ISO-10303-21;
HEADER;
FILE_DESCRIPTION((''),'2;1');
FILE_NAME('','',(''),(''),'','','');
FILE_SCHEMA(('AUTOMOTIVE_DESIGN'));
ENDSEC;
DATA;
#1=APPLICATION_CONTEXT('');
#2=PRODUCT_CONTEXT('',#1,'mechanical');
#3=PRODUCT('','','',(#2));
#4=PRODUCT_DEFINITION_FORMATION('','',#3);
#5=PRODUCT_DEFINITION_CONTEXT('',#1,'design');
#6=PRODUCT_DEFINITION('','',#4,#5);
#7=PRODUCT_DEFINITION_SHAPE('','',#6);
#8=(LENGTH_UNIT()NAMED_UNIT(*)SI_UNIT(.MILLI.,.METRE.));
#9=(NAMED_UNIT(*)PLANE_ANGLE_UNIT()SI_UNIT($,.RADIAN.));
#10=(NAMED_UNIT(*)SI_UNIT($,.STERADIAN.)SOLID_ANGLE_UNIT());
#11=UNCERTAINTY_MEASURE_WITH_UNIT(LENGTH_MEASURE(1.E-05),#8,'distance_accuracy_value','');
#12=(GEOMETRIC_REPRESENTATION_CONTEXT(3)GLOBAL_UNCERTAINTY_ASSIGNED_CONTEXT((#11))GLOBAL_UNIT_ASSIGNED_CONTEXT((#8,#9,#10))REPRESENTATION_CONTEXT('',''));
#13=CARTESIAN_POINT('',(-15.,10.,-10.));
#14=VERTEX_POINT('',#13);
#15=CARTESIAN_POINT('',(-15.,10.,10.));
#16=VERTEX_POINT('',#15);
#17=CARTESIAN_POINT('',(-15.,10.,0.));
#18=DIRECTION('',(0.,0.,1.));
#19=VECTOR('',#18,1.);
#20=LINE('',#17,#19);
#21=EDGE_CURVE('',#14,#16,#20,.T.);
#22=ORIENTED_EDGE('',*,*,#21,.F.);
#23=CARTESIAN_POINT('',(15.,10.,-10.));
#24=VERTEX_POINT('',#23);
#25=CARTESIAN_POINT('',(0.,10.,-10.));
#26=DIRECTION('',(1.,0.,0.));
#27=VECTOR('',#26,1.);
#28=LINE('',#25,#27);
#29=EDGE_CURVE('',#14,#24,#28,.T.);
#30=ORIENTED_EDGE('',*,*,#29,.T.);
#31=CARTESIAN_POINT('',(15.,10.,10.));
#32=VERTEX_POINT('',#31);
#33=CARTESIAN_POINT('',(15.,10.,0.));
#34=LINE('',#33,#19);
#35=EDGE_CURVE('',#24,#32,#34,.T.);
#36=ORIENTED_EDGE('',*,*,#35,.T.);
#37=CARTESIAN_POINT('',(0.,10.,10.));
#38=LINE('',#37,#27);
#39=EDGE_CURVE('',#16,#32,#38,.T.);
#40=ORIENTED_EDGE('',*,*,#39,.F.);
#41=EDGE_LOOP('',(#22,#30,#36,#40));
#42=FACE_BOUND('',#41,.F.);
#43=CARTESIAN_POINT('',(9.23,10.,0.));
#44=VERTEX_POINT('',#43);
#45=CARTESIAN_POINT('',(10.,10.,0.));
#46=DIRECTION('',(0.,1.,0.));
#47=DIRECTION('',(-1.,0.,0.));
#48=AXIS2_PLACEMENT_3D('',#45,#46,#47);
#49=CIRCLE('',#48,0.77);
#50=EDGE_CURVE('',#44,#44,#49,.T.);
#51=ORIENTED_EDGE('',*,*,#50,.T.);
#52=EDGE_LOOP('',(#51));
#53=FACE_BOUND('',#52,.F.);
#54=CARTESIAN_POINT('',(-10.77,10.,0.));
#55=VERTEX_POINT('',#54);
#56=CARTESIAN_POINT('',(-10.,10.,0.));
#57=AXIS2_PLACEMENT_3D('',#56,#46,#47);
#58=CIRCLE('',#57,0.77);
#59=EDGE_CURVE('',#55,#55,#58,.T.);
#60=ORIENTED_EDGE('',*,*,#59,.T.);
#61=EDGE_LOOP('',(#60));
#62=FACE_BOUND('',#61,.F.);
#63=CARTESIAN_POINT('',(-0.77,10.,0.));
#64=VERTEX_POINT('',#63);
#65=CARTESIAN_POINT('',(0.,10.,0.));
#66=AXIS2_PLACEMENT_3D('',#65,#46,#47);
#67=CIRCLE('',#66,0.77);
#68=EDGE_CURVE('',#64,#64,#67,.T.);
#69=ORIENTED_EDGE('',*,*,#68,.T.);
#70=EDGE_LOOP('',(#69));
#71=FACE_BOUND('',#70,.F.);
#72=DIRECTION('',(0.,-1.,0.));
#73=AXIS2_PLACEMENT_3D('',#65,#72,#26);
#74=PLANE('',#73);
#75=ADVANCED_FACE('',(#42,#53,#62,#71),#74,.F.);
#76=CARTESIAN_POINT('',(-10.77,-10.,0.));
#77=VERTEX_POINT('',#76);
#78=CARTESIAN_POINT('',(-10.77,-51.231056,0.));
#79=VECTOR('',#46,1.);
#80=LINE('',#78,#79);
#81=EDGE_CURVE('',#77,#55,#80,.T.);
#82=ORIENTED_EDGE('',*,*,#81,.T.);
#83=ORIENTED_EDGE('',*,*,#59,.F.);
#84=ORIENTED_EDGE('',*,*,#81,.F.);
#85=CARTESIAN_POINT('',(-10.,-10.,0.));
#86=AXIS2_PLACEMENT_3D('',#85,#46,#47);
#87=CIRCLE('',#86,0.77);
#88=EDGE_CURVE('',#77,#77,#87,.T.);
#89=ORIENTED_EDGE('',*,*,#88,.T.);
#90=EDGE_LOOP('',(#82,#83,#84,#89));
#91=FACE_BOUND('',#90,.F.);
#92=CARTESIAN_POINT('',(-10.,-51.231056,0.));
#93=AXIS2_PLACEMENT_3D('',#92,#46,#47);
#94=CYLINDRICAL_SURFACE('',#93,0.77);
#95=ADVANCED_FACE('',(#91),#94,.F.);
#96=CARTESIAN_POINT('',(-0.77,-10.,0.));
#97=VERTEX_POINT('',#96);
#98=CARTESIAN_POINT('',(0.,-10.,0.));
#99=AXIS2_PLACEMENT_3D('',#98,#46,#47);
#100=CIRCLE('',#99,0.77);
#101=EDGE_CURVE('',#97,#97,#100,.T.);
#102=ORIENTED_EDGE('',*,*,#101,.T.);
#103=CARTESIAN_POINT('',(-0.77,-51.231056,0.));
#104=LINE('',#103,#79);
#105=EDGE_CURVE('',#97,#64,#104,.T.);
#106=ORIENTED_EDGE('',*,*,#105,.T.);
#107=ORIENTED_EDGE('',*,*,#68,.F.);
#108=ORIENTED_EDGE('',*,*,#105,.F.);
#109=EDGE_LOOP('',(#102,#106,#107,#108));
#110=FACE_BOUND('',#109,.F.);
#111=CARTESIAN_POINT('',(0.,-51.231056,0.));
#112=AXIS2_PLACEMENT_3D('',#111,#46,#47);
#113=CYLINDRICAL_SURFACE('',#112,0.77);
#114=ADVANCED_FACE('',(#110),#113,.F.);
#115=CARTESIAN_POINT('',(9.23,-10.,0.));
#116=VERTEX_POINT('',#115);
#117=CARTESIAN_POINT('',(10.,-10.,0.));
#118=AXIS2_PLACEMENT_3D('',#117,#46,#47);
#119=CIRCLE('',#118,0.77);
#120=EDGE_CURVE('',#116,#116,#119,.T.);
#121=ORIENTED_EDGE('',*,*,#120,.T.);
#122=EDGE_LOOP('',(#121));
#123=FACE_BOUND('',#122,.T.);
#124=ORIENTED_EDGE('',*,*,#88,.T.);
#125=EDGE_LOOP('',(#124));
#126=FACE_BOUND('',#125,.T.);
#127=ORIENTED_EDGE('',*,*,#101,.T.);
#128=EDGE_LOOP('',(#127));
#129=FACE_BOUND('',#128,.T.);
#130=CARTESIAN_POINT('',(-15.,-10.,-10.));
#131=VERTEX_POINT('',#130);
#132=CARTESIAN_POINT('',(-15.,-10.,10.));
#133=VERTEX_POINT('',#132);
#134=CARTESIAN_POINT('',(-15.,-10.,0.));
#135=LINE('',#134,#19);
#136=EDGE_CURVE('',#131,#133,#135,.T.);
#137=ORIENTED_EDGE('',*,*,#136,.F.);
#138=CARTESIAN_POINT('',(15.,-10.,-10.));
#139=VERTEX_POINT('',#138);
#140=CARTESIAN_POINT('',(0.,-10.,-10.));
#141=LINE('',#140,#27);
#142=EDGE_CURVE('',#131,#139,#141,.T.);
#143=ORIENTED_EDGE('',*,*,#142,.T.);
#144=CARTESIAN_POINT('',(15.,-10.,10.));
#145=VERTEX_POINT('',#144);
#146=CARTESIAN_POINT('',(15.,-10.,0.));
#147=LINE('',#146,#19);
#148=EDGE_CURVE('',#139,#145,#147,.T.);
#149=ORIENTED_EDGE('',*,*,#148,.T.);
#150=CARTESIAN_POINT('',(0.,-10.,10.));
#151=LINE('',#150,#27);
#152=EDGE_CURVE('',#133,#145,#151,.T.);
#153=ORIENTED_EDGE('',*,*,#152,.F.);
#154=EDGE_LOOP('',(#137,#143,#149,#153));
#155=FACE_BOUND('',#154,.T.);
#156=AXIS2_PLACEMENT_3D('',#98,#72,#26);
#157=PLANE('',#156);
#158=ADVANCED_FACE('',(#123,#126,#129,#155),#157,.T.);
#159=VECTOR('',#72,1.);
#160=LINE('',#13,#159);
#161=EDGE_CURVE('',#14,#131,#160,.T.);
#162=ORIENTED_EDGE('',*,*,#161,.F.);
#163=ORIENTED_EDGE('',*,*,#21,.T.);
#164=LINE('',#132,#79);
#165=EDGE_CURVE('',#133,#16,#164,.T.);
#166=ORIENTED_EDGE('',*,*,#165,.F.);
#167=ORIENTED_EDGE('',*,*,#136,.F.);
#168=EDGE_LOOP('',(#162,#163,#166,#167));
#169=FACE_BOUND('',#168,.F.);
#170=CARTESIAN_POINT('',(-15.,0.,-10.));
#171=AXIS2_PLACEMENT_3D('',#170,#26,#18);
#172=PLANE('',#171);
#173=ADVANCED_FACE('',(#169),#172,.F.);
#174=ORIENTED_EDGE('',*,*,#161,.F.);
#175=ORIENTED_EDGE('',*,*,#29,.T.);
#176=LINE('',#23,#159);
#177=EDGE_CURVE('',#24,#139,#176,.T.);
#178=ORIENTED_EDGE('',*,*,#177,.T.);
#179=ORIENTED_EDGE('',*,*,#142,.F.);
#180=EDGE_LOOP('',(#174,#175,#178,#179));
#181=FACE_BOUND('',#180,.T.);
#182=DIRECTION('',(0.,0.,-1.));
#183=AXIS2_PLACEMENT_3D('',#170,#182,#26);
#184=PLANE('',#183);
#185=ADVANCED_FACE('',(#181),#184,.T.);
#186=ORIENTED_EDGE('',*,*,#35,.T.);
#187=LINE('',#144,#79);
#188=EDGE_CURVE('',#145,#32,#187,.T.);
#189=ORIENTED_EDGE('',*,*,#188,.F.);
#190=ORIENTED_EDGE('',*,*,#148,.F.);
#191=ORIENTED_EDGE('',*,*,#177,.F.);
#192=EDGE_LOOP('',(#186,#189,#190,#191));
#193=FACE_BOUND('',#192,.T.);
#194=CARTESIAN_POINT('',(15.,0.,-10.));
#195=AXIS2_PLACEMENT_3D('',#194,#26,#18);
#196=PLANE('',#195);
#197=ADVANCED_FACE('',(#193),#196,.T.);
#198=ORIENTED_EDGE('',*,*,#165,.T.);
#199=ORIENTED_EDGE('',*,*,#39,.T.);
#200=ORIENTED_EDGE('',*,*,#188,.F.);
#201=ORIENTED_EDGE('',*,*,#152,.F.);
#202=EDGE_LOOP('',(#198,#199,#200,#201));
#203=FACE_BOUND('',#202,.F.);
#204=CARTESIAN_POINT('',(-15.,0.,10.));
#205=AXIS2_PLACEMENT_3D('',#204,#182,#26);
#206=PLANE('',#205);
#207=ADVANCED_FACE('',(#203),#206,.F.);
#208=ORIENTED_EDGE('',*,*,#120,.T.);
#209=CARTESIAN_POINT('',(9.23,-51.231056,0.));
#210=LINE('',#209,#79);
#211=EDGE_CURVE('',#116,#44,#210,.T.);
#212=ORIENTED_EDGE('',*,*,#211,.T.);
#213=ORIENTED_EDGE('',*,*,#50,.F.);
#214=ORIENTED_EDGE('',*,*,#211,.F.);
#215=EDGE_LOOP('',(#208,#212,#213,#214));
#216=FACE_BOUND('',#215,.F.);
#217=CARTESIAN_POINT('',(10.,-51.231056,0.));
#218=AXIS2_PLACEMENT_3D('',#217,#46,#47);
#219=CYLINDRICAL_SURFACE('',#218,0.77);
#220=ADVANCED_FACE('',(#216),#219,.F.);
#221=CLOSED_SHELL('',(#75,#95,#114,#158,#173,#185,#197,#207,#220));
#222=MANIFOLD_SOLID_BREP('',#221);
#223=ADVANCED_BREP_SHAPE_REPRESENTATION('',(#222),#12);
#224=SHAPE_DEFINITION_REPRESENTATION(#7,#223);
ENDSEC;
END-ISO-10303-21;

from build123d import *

# Parameters (mm, degrees)
F0_W     = 30
F0_H     = 20
F1_DEPTH = 10
F3_D     = 1.54


with BuildPart() as f1:
    # F0 (on Front) → F1 (new body, symmetric)
    with BuildSketch(Plane.XZ):
        Rectangle(F0_W, F0_H)
    extrude(amount=F1_DEPTH, both=True)

    # F3 (through all)
    with Locations(Plane.XZ.offset(10)):
        with Locations((-10, 0), (0, 0), (10, 0)):
            Hole(F3_D / 2)


solid = f1.part
